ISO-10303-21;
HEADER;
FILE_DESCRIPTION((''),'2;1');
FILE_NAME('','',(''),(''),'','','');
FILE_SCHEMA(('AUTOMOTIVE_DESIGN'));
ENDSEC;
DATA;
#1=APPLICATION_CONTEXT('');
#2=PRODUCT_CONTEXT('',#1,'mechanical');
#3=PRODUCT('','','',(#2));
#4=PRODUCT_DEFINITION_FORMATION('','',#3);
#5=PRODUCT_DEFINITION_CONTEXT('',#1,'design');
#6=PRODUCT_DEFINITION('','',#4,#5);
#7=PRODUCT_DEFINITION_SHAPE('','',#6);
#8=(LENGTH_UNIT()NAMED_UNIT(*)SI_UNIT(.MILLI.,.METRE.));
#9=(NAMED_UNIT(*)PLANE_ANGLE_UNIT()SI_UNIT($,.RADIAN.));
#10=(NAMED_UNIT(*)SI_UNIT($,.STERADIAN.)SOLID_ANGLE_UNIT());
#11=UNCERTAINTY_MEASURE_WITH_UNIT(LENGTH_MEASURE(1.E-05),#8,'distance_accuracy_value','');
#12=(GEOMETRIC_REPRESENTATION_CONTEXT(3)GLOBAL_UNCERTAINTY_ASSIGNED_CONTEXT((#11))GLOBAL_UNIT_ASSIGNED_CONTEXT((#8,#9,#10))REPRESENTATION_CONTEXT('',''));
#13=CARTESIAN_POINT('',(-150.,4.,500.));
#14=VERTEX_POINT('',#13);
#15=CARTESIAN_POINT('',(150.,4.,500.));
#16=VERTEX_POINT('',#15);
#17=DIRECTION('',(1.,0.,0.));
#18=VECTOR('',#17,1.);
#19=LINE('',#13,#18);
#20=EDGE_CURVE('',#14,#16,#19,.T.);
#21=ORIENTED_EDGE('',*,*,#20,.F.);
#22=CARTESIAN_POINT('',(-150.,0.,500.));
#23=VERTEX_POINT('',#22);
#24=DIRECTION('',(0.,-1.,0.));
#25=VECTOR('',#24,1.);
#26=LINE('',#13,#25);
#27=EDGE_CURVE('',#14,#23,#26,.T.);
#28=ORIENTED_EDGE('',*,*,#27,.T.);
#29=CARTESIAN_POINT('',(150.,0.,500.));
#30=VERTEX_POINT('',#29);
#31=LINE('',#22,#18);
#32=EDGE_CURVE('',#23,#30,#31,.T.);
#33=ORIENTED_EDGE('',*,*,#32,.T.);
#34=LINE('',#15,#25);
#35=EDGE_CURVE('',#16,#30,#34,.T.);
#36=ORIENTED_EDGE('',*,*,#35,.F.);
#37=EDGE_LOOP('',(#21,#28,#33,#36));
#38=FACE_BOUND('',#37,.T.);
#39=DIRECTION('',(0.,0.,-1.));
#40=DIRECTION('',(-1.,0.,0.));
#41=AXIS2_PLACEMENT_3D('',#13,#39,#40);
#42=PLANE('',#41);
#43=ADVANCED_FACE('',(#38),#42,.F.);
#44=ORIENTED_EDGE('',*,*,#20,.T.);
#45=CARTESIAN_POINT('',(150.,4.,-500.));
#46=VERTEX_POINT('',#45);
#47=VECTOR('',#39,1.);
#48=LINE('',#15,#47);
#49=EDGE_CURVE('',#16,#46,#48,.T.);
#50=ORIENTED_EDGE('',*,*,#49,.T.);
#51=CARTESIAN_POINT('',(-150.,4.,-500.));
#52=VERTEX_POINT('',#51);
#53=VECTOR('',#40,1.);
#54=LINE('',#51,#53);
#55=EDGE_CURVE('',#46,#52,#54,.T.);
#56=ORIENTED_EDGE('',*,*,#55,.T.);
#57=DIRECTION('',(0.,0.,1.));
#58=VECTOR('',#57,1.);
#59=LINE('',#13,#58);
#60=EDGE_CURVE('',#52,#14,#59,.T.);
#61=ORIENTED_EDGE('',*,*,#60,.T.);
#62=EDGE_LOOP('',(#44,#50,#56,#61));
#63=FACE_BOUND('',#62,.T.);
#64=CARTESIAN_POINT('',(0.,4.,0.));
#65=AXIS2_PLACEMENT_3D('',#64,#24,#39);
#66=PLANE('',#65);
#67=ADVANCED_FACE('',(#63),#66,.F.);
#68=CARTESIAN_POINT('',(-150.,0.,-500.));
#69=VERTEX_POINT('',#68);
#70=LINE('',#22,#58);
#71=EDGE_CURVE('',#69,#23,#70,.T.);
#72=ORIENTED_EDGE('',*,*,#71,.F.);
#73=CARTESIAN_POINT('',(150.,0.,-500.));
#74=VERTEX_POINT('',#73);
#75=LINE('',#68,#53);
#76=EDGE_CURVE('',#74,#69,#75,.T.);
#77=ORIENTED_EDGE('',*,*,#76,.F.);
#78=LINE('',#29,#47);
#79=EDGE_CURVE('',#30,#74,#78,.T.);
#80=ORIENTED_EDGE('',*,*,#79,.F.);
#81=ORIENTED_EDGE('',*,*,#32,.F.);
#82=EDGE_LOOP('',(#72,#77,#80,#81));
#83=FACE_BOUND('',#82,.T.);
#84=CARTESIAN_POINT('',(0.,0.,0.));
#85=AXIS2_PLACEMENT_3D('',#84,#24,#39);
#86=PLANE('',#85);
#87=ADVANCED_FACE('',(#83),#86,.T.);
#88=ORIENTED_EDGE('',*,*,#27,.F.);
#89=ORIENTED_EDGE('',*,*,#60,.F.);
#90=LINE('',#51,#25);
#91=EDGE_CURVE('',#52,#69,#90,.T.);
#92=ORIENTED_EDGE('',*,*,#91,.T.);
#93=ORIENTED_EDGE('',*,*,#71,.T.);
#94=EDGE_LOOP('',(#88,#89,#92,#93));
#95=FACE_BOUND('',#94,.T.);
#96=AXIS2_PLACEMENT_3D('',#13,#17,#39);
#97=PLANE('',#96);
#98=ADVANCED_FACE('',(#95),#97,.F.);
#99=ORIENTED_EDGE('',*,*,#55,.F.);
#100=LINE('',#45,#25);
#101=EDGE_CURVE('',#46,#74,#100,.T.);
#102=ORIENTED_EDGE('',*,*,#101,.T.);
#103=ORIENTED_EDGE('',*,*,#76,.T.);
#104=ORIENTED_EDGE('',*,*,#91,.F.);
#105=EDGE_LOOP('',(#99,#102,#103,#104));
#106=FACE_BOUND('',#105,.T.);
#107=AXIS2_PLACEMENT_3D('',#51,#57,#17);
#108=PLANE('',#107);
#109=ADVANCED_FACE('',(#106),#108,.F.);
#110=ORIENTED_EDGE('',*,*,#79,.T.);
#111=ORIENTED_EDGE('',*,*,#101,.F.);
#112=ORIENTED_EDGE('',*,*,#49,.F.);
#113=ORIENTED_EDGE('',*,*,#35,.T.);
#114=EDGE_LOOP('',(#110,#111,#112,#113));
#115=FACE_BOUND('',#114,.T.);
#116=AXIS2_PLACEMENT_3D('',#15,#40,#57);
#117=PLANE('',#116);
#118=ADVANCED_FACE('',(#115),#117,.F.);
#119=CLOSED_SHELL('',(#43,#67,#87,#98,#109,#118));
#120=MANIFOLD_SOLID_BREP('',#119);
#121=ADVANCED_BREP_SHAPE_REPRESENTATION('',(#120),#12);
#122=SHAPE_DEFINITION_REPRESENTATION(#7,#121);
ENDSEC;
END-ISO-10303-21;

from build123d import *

# Parameters (mm, degrees)
SKETCH_1_W      = 300
SKETCH_1_H      = 1000
EXTRUDE_1_DEPTH = 4


with BuildPart() as part:
    # 草图1 → 凸台-拉伸1 (new body)
    with BuildSketch(Plane(origin=(0, 0, 0), x_dir=(1, 0, 0), z_dir=(0, 1, 0))):
        Rectangle(SKETCH_1_W, SKETCH_1_H)
    extrude(amount=EXTRUDE_1_DEPTH)


solid = part.part
